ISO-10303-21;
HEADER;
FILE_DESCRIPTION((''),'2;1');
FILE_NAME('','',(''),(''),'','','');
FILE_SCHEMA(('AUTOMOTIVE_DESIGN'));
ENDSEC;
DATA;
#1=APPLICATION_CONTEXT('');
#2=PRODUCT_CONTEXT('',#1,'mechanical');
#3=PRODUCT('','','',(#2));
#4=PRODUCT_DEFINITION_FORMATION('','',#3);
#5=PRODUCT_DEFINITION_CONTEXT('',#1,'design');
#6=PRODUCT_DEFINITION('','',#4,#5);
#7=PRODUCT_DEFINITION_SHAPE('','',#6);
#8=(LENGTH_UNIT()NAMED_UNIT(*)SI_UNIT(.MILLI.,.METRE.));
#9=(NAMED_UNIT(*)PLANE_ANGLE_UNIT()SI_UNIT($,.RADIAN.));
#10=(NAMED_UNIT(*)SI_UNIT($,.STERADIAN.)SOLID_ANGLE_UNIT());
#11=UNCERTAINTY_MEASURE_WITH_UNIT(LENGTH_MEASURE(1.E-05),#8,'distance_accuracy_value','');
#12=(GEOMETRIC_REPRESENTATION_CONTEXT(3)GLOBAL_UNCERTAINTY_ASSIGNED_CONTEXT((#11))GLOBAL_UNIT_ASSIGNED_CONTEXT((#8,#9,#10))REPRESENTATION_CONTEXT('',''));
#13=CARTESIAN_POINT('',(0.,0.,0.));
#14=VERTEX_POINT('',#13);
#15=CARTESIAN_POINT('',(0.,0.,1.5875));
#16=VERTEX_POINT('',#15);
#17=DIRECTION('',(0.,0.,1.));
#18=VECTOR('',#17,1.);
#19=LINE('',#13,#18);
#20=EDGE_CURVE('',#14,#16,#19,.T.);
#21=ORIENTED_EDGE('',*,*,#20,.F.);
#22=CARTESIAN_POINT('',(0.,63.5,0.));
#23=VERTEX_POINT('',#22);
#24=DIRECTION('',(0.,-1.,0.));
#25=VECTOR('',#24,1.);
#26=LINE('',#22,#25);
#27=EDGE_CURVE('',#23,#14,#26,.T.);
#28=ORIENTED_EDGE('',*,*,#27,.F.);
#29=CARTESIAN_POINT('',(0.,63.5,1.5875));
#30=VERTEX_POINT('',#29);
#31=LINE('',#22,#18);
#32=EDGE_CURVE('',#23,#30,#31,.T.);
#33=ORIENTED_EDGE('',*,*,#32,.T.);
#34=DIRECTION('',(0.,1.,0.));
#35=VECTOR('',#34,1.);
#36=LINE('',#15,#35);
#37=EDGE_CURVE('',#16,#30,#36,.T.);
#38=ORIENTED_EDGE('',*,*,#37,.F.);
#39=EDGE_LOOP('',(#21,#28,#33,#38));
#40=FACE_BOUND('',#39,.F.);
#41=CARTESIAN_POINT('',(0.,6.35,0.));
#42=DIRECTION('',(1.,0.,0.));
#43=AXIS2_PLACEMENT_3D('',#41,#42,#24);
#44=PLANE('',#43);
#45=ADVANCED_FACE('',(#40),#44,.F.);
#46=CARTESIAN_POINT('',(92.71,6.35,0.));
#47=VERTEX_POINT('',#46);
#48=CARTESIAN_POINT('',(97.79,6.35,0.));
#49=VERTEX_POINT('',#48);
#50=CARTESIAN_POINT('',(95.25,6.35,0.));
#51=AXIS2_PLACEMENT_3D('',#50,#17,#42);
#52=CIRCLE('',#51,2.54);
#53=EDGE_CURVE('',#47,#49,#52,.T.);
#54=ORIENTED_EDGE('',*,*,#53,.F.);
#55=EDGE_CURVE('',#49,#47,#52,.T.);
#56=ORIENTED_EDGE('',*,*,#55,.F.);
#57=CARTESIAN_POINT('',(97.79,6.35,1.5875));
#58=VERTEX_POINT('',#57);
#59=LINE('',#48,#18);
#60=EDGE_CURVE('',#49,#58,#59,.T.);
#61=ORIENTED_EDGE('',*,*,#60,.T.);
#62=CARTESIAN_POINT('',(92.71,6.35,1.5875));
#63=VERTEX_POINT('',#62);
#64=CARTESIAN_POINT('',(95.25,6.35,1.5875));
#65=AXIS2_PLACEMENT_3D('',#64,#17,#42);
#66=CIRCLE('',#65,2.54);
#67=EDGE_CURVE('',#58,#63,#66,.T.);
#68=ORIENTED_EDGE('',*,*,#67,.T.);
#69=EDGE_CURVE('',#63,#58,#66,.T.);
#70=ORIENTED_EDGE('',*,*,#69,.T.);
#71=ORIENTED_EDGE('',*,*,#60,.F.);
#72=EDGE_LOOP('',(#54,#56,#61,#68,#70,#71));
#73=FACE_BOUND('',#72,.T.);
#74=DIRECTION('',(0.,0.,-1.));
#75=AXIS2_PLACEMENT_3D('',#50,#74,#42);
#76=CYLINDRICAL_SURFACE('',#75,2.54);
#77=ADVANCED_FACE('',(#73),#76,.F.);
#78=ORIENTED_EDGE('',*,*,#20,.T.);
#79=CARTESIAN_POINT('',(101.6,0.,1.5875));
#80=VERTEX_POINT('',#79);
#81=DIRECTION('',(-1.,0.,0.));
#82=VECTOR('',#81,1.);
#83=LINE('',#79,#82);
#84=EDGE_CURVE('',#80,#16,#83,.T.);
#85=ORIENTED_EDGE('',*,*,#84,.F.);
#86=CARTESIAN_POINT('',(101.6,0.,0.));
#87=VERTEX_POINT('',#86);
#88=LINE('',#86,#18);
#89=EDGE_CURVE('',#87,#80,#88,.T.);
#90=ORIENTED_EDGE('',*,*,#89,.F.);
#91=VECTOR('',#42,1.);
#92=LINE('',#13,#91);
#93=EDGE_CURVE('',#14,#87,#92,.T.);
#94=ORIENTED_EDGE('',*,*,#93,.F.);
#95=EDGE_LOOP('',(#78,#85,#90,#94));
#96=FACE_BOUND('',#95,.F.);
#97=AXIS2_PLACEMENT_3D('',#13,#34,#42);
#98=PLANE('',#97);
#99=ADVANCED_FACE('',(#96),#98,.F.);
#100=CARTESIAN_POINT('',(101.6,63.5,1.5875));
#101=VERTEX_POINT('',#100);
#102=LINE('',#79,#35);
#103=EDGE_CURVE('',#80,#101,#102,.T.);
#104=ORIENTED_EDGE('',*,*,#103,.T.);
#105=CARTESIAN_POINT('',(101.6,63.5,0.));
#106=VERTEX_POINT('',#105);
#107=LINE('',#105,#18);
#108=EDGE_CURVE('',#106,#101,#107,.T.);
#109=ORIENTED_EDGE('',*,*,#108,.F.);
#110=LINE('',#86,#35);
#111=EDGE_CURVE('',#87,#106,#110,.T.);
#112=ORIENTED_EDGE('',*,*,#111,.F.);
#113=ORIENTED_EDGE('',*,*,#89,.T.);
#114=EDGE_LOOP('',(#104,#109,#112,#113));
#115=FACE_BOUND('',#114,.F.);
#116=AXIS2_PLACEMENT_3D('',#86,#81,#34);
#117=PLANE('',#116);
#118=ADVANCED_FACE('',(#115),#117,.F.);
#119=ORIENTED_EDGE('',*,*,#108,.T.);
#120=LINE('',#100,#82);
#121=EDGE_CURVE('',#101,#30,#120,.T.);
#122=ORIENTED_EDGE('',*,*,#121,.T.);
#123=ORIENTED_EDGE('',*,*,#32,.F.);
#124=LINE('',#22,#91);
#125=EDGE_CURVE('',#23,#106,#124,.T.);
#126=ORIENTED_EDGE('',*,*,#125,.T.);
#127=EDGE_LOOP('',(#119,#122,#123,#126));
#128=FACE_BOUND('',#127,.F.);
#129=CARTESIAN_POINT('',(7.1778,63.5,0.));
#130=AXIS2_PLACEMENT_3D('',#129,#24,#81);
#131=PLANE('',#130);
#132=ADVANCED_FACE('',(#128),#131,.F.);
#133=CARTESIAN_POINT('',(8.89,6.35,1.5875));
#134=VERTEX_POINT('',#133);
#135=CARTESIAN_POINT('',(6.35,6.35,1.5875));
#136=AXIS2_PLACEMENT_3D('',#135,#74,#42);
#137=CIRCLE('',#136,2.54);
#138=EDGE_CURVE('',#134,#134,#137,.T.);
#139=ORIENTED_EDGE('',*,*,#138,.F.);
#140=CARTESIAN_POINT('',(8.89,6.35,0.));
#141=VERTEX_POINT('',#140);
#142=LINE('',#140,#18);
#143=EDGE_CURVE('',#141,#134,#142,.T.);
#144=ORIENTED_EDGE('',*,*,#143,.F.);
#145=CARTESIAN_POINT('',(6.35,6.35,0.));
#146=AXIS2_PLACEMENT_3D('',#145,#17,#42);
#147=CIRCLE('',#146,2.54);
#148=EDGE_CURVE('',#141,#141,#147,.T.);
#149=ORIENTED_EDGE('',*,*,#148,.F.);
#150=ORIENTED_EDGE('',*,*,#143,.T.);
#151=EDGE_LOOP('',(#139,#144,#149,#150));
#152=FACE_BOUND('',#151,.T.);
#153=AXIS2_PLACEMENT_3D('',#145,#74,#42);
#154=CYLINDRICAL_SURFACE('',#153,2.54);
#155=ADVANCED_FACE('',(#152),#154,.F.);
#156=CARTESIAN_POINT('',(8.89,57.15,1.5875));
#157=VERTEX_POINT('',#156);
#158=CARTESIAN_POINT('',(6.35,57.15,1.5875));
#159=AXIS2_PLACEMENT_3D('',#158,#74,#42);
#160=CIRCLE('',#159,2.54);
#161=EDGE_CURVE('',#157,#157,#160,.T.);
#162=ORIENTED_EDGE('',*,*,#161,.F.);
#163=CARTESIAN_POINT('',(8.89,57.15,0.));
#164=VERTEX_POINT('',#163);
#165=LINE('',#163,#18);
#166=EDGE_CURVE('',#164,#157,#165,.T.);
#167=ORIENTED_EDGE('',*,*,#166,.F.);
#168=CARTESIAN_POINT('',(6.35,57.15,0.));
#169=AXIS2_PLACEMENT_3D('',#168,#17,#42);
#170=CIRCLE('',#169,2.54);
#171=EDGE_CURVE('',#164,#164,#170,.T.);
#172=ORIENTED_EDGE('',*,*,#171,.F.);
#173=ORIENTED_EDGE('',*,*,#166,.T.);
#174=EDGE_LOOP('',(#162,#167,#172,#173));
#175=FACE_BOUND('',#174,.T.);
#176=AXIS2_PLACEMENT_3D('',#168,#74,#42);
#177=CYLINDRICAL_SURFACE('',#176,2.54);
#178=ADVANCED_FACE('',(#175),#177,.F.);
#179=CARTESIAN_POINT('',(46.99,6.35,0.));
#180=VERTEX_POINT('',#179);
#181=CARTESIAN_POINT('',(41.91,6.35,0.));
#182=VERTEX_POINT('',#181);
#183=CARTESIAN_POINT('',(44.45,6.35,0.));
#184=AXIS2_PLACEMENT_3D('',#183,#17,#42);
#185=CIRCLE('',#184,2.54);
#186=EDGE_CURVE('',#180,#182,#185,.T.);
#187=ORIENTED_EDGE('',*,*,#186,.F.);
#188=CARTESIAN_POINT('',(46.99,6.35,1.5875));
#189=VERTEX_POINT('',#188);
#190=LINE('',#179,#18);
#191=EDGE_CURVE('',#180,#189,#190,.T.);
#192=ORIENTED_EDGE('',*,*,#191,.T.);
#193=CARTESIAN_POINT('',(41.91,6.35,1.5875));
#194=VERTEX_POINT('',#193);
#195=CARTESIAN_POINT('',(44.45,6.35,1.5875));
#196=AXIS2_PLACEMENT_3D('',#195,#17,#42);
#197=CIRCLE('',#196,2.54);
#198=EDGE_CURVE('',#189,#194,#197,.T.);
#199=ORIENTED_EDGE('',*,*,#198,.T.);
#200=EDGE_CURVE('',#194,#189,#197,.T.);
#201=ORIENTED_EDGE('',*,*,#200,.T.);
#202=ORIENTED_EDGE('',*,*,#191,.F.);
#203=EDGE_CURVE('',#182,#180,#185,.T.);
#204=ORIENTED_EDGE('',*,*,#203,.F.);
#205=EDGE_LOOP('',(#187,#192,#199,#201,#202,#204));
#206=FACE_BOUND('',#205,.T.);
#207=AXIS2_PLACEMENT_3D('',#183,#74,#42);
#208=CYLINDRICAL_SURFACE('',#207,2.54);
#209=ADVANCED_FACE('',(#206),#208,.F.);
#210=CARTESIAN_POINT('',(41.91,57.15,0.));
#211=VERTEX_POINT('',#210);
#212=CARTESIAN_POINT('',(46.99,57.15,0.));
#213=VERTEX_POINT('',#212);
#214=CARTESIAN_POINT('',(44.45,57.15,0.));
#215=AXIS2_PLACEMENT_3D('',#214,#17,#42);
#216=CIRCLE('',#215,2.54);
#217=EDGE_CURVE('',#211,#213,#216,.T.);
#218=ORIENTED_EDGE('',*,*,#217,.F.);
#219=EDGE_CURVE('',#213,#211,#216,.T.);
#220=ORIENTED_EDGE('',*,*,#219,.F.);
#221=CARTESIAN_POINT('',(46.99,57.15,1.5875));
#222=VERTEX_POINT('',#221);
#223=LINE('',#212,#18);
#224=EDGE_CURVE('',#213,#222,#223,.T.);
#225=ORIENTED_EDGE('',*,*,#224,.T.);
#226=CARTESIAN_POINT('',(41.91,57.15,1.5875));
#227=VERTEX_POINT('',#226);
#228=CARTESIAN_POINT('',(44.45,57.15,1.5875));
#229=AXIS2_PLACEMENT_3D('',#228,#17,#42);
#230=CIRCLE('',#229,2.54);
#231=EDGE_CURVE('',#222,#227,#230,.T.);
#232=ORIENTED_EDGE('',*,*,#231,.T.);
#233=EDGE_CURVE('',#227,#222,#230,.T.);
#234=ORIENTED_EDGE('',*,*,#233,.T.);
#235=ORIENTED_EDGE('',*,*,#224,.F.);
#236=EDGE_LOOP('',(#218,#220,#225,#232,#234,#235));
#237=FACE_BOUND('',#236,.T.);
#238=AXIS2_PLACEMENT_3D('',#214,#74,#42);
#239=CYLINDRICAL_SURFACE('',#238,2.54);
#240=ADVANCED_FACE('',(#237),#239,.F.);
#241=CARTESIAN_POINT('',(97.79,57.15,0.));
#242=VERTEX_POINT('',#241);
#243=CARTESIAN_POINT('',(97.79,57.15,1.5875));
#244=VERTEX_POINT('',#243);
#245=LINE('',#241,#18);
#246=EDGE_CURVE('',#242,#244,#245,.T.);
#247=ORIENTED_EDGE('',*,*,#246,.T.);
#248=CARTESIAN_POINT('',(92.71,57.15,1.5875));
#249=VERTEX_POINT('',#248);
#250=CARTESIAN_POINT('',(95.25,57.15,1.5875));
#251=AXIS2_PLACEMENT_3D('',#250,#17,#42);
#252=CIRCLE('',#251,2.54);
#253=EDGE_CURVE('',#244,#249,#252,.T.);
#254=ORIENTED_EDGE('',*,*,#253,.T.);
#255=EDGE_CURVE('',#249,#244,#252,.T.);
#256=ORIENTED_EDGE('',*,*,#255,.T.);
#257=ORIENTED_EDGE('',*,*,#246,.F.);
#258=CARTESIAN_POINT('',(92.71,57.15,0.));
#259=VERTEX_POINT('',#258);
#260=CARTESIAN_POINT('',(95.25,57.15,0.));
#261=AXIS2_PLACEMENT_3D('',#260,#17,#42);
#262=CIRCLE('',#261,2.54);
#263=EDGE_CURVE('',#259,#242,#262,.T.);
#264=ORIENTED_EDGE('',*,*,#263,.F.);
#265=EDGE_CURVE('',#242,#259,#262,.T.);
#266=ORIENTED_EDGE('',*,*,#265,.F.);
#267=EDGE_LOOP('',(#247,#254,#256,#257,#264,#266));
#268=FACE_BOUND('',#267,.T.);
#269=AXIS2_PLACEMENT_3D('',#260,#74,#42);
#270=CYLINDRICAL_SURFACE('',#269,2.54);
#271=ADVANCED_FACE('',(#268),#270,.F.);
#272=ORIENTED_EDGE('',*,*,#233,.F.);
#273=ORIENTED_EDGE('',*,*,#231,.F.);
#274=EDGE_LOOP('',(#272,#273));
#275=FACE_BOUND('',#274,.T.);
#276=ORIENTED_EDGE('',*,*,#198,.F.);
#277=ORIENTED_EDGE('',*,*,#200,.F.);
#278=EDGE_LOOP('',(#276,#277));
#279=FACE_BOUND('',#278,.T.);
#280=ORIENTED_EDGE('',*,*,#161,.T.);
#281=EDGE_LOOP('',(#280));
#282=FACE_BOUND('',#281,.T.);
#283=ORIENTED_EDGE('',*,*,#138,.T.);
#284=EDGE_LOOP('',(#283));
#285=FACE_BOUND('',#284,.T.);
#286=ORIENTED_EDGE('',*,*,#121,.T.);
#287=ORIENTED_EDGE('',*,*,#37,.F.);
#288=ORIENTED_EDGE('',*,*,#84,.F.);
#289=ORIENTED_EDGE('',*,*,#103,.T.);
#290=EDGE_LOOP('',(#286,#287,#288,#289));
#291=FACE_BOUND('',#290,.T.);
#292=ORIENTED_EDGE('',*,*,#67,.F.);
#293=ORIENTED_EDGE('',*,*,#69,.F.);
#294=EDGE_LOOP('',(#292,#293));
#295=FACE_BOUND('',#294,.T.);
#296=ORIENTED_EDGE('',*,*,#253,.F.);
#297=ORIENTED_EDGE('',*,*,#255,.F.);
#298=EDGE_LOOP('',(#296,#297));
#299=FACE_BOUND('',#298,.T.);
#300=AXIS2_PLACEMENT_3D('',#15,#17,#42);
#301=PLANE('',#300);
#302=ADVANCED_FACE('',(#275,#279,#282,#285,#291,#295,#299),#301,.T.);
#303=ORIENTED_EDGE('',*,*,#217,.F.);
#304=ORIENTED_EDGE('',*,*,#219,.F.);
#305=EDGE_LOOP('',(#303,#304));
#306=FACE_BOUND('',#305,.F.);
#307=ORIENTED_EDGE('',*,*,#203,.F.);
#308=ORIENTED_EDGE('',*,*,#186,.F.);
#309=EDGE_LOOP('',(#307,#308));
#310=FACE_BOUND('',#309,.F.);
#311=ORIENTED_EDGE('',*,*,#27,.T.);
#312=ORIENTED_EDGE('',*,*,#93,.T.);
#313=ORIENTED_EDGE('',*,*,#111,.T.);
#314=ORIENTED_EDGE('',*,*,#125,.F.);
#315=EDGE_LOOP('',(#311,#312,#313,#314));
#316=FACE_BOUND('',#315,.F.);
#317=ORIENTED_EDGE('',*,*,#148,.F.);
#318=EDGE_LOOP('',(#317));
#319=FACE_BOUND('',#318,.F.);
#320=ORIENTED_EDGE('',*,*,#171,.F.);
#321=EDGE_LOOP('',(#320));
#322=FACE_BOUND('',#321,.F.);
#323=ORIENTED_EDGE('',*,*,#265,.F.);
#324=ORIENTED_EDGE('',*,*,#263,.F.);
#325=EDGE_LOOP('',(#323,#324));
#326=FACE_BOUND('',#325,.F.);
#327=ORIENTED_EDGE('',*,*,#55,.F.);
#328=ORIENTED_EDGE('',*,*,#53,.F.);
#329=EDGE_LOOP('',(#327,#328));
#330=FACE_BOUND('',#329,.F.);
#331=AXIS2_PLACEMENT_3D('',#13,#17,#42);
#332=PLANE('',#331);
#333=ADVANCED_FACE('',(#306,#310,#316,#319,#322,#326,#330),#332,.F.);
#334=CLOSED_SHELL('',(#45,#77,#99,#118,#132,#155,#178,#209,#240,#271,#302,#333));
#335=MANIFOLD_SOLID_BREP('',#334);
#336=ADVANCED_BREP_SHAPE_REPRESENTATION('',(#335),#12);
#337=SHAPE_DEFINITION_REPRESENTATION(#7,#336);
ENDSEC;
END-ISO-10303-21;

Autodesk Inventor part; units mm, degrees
ref_plane "YZ Plane" through (0, 0, 0) normal (1, 0, 0) x (0, 1, 0)
ref_plane "XZ Plane" through (0, 0, 0) normal (0, 1, 0) x (-1, 0, 0)
ref_plane "XY Plane" through (0, 0, 0) normal (0, 0, 1) x (1, 0, 0)
sketch "Sketch1" plane through (0, 0, 0) normal (0, 0, 1) x (1, 0, 0)
  line L0 (0, 0) -> (101.6, 0)
  line L1 (101.6, 0) -> (101.6, 63.5)
  line L2 (101.6, 63.5) -> (0, 63.5)
  line L3 (0, 63.5) -> (0, 0)
  line L4 (7.1778, 63.5) -> (7.1778, 57.15)
  line L5 (0, 57.15) -> (6.35, 57.15)
  line L6 (6.35, 57.15) -> (44.45, 57.15)
  line L7 (44.45, 57.15) -> (95.25, 57.15)
  circle A0 centre (44.45, 57.15) radius 2.54
  circle A1 centre (95.25, 57.15) radius 2.54
  circle A2 centre (6.35, 57.15) radius 2.54
  line L8 (6.35, 0) -> (6.35, 6.35)
  line L9 (0, 6.35) -> (6.35, 6.35)
  line L10 (6.35, 6.35) -> (44.45, 6.35)
  line L11 (44.45, 6.35) -> (69.85, 6.35)
  line L12 (69.85, 6.35) -> (95.25, 6.35)
  circle A3 centre (6.35, 6.35) radius 2.54
  circle A4 centre (44.45, 6.35) radius 2.54
  circle A5 centre (95.25, 6.35) radius 2.54
  dimension "d0" = 101.6
  dimension "d1" = 63.5
  dimension "d2" = 6.35
  dimension "d3" = 6.35
  dimension "d5" = 38.1
  dimension "d6" = 50.8
  dimension "d7" = 5.08
  dimension "d8" = 5.08
  dimension "d9" = 5.08
  dimension "d12" = 6.35
  dimension "d13" = 6.35
  dimension "d14" = 38.1
  dimension "d15" = 25.4
  dimension "d16" = 25.4
  dimension "d17" = 5.08
  dimension "d18" = 5.08
  dimension "d19" = 5.08
extrude "Extrusion1" add sketch "Sketch1" along normal blind 1.5875 contours L3 L9 A3 L8 L0 | L8 A3 L9 L3 L5 A2 L4 L2 L1 L0 | L3 L2 L4 A2 L5
properties part number "kickPlate"
